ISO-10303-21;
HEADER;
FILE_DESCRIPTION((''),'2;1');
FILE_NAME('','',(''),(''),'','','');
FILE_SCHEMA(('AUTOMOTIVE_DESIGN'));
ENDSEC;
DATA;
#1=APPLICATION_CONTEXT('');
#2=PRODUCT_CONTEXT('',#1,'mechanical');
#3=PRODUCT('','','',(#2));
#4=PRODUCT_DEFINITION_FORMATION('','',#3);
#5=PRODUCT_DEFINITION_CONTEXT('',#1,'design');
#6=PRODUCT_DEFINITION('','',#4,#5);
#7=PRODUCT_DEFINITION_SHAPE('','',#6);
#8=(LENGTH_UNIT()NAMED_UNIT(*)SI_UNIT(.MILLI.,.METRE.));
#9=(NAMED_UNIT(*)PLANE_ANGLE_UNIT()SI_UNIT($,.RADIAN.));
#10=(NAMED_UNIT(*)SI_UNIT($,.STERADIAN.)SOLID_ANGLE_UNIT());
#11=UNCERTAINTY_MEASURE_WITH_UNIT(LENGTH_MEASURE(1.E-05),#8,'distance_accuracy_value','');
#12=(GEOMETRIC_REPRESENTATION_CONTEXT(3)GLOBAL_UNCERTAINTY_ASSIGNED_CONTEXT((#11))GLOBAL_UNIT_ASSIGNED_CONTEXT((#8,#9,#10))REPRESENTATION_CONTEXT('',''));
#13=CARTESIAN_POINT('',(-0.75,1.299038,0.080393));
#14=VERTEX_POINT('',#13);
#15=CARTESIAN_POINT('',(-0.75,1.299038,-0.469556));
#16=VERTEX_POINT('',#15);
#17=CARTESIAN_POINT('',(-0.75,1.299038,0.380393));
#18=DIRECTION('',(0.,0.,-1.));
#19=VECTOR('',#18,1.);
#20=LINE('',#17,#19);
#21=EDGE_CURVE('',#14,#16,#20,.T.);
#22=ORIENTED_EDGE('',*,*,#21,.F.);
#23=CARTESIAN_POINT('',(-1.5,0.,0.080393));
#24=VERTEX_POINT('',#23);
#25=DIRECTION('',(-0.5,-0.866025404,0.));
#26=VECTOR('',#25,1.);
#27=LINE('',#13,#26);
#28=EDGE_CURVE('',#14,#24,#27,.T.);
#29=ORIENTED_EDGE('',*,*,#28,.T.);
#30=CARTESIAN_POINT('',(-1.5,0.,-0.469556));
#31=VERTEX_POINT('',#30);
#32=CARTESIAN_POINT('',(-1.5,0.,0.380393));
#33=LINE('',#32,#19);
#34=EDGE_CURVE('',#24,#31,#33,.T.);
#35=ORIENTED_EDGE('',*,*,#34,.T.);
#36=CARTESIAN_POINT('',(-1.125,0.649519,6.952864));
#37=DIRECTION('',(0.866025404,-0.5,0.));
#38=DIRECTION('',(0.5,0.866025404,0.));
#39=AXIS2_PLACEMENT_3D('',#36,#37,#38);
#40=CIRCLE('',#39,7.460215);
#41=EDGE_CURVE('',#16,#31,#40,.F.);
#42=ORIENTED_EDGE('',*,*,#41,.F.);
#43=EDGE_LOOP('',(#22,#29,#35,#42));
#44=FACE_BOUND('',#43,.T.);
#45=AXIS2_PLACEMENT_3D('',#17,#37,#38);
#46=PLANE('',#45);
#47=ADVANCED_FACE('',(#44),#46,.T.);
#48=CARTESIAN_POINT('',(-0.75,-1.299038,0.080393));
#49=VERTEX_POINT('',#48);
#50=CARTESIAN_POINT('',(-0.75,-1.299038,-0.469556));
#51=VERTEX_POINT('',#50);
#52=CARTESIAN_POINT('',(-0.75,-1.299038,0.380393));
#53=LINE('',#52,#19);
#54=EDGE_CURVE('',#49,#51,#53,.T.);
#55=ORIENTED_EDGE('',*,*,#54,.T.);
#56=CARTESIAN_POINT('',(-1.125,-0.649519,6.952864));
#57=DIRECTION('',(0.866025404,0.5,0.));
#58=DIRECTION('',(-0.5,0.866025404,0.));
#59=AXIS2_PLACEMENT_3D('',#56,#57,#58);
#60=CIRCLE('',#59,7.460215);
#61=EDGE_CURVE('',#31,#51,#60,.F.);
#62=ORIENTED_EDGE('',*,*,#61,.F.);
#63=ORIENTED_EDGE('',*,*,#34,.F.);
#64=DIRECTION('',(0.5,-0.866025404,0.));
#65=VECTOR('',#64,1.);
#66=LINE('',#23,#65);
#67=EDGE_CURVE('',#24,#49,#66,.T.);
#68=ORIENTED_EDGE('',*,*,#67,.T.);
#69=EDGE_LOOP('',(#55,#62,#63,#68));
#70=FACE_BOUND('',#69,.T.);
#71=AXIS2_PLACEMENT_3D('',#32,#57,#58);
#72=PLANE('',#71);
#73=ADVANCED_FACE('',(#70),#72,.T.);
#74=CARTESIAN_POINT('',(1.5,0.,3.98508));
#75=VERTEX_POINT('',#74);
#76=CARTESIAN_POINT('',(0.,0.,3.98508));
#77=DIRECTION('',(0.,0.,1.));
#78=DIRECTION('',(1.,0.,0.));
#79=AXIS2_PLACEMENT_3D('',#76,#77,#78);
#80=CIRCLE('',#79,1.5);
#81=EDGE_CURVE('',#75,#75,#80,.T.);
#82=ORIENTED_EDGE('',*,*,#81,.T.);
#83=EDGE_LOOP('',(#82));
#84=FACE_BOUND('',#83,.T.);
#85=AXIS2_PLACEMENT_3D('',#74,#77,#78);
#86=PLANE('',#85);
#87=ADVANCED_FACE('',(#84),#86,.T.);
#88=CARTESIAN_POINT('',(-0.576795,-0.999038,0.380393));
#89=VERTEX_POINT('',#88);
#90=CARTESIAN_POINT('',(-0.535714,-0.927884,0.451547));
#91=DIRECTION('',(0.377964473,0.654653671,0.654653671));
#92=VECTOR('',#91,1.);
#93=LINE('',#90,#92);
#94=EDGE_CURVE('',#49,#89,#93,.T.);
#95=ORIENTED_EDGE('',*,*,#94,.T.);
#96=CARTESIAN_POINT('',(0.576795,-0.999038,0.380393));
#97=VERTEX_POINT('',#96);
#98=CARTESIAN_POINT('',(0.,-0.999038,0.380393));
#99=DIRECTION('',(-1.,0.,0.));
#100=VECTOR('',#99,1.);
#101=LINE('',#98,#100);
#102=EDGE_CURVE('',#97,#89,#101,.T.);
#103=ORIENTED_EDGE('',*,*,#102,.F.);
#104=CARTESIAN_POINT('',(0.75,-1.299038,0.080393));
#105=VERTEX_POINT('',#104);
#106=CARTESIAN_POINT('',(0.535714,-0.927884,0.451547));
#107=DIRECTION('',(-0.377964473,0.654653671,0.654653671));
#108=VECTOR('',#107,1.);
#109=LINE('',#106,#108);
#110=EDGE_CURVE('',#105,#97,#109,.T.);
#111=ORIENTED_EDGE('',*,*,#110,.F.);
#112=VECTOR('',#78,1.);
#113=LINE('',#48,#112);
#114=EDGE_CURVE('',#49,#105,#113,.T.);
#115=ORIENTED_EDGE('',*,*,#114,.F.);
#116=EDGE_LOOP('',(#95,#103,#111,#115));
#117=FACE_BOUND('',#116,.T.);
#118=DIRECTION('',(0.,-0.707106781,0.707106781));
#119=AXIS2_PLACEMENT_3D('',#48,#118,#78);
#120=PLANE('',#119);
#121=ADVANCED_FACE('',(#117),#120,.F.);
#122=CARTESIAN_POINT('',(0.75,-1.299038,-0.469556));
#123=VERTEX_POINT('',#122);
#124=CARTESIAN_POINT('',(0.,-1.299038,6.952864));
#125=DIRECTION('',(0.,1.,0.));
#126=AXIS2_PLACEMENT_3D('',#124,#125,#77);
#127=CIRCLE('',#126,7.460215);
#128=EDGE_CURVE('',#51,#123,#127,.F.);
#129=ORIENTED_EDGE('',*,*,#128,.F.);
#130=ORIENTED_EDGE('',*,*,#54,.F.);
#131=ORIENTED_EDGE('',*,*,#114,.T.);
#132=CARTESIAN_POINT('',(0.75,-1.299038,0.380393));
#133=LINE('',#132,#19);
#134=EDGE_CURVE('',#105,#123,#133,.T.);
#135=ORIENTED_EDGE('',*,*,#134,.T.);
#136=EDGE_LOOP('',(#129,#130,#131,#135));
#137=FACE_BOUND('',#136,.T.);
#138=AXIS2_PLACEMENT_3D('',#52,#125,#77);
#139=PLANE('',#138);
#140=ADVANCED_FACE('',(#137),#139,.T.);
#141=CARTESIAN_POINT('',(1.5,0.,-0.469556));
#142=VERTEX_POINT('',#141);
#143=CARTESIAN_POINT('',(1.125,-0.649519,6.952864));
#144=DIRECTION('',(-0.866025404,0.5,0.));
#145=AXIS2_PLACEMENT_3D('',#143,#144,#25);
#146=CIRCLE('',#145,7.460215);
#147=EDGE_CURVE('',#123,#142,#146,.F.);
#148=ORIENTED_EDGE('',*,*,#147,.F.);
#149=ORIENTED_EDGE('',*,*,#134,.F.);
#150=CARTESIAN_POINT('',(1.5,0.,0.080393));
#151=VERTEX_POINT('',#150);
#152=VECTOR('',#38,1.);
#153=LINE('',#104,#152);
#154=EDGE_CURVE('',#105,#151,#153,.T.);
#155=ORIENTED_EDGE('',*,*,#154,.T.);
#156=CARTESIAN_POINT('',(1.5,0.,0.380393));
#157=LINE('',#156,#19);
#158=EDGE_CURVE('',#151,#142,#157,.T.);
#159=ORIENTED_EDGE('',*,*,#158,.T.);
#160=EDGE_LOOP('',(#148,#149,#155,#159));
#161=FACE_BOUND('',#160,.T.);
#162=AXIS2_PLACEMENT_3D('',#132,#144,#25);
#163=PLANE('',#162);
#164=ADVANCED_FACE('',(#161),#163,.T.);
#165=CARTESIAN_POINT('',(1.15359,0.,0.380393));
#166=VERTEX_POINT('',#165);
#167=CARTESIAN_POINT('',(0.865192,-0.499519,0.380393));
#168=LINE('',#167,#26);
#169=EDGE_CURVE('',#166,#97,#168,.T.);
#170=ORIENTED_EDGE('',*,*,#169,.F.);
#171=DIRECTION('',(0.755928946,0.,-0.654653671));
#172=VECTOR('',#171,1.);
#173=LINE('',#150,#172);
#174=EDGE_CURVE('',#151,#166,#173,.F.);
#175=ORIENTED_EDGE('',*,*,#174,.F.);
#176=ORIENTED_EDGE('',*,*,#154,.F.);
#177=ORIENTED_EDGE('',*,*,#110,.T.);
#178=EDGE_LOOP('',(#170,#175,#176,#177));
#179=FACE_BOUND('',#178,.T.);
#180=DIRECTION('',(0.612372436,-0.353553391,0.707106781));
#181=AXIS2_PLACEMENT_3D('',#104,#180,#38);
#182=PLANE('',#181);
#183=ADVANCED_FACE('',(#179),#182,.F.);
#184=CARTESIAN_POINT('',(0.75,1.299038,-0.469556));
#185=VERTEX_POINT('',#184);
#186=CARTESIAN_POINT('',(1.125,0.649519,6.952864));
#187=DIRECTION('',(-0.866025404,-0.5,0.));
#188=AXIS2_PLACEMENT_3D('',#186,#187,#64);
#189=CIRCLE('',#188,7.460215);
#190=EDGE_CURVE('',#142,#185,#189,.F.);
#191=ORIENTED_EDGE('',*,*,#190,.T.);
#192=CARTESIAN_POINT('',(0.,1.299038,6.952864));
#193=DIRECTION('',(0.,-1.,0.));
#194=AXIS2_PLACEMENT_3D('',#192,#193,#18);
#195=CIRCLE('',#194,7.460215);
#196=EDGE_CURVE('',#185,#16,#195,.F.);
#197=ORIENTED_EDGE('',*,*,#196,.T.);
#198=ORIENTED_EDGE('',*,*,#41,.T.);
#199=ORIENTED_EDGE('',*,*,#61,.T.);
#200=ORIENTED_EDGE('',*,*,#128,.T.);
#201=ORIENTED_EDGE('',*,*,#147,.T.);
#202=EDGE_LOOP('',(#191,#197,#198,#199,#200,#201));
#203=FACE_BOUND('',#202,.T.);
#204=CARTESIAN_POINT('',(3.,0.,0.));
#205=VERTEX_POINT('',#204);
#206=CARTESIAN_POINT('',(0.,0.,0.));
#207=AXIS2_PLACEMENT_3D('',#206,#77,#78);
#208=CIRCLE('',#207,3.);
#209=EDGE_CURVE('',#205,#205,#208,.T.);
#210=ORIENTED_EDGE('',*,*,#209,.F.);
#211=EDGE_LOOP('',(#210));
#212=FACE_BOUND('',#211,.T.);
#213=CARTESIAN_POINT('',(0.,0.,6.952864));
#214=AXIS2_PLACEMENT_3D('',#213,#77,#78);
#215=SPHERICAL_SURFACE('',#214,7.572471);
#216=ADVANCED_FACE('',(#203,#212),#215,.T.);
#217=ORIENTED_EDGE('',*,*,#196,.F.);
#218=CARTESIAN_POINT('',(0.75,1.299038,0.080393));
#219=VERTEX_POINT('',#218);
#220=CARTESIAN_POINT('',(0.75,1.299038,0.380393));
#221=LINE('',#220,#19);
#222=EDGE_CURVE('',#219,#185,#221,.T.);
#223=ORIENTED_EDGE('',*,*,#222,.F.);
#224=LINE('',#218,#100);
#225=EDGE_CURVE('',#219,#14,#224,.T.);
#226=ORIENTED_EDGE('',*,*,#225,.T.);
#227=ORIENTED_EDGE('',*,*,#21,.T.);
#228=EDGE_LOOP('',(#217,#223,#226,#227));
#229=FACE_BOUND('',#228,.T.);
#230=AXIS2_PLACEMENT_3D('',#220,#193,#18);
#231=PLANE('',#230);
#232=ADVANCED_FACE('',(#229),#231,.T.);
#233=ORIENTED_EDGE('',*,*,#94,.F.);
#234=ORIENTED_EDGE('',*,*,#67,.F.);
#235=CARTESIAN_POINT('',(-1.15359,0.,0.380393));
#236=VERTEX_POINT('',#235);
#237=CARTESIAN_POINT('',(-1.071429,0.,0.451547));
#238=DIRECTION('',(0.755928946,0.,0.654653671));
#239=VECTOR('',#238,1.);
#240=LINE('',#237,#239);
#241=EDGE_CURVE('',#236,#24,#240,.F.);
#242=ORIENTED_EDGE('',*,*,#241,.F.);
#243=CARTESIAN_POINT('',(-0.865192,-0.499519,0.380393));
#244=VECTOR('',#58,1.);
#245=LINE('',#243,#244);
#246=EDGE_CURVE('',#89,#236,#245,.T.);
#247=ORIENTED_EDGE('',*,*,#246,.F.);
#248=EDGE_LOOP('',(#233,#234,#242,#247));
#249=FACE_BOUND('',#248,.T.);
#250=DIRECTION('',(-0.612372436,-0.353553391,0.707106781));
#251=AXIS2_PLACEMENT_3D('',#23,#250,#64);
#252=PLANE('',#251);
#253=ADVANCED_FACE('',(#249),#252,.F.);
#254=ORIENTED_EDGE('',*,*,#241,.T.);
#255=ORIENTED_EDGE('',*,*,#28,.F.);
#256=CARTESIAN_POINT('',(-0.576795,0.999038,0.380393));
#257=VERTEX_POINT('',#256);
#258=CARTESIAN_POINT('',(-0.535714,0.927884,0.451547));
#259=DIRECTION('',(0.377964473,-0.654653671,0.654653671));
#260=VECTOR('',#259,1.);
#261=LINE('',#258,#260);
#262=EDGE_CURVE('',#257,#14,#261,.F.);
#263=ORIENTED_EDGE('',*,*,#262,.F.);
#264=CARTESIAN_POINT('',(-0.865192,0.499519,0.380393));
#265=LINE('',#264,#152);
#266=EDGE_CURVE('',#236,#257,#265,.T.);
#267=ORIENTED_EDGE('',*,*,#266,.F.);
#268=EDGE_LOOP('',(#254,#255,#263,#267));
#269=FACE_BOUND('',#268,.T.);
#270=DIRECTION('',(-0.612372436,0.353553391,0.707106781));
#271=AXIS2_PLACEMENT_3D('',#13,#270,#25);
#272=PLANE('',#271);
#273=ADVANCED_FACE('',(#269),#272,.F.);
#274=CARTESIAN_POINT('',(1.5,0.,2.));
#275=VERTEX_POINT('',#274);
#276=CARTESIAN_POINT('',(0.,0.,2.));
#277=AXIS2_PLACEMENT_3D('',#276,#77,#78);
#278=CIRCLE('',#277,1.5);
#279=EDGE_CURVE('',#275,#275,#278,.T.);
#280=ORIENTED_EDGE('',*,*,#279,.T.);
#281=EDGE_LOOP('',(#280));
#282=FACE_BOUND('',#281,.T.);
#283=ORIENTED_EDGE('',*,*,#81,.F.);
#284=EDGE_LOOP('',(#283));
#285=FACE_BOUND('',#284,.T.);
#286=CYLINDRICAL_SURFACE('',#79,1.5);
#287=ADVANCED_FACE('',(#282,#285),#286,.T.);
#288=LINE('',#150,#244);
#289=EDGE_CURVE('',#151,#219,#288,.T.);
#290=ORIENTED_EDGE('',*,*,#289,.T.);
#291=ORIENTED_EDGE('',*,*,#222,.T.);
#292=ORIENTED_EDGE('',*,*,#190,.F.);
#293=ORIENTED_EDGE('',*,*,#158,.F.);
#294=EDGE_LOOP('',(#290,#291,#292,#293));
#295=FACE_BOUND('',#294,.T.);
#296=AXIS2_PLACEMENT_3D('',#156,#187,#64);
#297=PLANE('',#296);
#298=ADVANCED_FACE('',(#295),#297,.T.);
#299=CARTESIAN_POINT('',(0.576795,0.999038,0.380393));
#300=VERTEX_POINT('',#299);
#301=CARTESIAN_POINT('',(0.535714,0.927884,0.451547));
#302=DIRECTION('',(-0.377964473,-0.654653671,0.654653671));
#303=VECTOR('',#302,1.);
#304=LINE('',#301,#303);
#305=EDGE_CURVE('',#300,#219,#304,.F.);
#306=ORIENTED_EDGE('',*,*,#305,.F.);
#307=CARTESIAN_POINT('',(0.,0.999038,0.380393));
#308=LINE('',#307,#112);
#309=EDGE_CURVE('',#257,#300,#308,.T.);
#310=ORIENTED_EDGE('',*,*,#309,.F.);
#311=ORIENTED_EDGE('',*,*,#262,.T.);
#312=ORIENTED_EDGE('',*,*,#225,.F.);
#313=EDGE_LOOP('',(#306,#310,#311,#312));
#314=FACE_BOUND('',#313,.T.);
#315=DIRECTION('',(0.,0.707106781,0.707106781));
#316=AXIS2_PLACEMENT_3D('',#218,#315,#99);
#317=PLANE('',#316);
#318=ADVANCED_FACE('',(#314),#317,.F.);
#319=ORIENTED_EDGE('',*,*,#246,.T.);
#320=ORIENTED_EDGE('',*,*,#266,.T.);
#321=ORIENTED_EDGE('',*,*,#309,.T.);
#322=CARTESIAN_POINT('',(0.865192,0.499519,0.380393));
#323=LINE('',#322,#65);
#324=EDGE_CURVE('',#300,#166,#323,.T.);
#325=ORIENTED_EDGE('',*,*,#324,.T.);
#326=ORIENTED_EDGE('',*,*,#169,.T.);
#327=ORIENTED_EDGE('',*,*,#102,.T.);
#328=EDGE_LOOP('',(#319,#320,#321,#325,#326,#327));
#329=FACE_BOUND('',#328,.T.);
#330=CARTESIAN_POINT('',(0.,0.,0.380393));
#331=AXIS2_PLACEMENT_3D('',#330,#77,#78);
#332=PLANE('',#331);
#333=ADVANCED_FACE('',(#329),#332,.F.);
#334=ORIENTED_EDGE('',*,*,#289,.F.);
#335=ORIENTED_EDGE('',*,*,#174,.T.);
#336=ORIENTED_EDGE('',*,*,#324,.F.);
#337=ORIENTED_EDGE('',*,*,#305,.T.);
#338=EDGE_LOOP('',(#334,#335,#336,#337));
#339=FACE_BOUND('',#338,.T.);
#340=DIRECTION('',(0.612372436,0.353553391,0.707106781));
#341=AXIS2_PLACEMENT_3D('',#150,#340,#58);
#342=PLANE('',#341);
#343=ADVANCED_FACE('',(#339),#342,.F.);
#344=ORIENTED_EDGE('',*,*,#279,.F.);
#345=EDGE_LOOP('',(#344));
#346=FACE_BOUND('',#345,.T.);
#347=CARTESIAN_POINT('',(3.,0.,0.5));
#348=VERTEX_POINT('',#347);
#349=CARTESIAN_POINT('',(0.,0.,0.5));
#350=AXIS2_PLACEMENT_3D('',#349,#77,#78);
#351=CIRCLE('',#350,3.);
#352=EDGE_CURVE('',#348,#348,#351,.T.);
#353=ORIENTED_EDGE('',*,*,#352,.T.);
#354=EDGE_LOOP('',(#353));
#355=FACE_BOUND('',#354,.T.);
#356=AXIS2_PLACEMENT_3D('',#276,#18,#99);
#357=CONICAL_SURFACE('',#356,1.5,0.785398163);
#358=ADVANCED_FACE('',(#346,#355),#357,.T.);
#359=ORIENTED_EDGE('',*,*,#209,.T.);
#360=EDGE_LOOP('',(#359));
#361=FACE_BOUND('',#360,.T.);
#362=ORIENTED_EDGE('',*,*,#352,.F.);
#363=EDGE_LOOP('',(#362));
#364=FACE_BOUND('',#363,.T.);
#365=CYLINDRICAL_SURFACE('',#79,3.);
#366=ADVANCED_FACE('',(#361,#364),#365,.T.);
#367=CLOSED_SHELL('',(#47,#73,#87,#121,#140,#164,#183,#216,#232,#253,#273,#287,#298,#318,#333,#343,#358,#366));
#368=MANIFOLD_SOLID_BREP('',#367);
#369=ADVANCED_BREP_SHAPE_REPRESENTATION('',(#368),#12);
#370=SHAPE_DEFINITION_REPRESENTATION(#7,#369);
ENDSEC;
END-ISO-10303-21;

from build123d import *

# Parameters (mm, degrees)
CUT_EXTRUDE1_DEPTH = 1
CHAMFER1_SIZE      = 0.3


with BuildPart() as part:
    # Sketch1 → Revolve1 (revolve)
    with BuildSketch(Plane(origin=(0, 0, 0), x_dir=(1, 0, 0), z_dir=(0, 1, 0))):
        with BuildLine():
            Line((3, 0), (3, -0.5))
            Line((3, -0.5), (1.5, -2))
            Line((1.5, -2), (1.5, -3.985079935))
            Line((1.5, -3.985079935), (0, -3.985079935))
            Line((0, -3.985079935), (0, 0.619607068))
            ThreePointArc((0, 0.619607068), (1.531658653, 0.463087711), (3, 0))
        make_face()
    revolve(axis=Axis((0, 0, 3.985079935), (0, 0, -1)))

    # Sketch2 → Cut-Extrude1 (cut)
    with BuildSketch(Plane.XY.offset(-0.619607068)):
        Polygon((1.5, 0), (0.75, 1.299038106), (-0.75, 1.299038106), (-1.5, 0), (-0.75, -1.299038106), (0.75, -1.299038106), align=None)
    extrude(amount=CUT_EXTRUDE1_DEPTH, mode=Mode.SUBTRACT)

    # Chamfer1
    chamfer1_edges = [part.edges().sort_by_distance(p)[0] for p in [
        (1.125, -0.649519053, 0.380392932),
        (1.125, 0.649519053, 0.380392932),
        (0, 1.299038106, 0.380392932),
        (-1.125, 0.649519053, 0.380392932),
        (-1.125, -0.649519053, 0.380392932),
        (0, -1.299038106, 0.380392932),
    ]]
    chamfer(chamfer1_edges, length=CHAMFER1_SIZE)


solid = part.part
